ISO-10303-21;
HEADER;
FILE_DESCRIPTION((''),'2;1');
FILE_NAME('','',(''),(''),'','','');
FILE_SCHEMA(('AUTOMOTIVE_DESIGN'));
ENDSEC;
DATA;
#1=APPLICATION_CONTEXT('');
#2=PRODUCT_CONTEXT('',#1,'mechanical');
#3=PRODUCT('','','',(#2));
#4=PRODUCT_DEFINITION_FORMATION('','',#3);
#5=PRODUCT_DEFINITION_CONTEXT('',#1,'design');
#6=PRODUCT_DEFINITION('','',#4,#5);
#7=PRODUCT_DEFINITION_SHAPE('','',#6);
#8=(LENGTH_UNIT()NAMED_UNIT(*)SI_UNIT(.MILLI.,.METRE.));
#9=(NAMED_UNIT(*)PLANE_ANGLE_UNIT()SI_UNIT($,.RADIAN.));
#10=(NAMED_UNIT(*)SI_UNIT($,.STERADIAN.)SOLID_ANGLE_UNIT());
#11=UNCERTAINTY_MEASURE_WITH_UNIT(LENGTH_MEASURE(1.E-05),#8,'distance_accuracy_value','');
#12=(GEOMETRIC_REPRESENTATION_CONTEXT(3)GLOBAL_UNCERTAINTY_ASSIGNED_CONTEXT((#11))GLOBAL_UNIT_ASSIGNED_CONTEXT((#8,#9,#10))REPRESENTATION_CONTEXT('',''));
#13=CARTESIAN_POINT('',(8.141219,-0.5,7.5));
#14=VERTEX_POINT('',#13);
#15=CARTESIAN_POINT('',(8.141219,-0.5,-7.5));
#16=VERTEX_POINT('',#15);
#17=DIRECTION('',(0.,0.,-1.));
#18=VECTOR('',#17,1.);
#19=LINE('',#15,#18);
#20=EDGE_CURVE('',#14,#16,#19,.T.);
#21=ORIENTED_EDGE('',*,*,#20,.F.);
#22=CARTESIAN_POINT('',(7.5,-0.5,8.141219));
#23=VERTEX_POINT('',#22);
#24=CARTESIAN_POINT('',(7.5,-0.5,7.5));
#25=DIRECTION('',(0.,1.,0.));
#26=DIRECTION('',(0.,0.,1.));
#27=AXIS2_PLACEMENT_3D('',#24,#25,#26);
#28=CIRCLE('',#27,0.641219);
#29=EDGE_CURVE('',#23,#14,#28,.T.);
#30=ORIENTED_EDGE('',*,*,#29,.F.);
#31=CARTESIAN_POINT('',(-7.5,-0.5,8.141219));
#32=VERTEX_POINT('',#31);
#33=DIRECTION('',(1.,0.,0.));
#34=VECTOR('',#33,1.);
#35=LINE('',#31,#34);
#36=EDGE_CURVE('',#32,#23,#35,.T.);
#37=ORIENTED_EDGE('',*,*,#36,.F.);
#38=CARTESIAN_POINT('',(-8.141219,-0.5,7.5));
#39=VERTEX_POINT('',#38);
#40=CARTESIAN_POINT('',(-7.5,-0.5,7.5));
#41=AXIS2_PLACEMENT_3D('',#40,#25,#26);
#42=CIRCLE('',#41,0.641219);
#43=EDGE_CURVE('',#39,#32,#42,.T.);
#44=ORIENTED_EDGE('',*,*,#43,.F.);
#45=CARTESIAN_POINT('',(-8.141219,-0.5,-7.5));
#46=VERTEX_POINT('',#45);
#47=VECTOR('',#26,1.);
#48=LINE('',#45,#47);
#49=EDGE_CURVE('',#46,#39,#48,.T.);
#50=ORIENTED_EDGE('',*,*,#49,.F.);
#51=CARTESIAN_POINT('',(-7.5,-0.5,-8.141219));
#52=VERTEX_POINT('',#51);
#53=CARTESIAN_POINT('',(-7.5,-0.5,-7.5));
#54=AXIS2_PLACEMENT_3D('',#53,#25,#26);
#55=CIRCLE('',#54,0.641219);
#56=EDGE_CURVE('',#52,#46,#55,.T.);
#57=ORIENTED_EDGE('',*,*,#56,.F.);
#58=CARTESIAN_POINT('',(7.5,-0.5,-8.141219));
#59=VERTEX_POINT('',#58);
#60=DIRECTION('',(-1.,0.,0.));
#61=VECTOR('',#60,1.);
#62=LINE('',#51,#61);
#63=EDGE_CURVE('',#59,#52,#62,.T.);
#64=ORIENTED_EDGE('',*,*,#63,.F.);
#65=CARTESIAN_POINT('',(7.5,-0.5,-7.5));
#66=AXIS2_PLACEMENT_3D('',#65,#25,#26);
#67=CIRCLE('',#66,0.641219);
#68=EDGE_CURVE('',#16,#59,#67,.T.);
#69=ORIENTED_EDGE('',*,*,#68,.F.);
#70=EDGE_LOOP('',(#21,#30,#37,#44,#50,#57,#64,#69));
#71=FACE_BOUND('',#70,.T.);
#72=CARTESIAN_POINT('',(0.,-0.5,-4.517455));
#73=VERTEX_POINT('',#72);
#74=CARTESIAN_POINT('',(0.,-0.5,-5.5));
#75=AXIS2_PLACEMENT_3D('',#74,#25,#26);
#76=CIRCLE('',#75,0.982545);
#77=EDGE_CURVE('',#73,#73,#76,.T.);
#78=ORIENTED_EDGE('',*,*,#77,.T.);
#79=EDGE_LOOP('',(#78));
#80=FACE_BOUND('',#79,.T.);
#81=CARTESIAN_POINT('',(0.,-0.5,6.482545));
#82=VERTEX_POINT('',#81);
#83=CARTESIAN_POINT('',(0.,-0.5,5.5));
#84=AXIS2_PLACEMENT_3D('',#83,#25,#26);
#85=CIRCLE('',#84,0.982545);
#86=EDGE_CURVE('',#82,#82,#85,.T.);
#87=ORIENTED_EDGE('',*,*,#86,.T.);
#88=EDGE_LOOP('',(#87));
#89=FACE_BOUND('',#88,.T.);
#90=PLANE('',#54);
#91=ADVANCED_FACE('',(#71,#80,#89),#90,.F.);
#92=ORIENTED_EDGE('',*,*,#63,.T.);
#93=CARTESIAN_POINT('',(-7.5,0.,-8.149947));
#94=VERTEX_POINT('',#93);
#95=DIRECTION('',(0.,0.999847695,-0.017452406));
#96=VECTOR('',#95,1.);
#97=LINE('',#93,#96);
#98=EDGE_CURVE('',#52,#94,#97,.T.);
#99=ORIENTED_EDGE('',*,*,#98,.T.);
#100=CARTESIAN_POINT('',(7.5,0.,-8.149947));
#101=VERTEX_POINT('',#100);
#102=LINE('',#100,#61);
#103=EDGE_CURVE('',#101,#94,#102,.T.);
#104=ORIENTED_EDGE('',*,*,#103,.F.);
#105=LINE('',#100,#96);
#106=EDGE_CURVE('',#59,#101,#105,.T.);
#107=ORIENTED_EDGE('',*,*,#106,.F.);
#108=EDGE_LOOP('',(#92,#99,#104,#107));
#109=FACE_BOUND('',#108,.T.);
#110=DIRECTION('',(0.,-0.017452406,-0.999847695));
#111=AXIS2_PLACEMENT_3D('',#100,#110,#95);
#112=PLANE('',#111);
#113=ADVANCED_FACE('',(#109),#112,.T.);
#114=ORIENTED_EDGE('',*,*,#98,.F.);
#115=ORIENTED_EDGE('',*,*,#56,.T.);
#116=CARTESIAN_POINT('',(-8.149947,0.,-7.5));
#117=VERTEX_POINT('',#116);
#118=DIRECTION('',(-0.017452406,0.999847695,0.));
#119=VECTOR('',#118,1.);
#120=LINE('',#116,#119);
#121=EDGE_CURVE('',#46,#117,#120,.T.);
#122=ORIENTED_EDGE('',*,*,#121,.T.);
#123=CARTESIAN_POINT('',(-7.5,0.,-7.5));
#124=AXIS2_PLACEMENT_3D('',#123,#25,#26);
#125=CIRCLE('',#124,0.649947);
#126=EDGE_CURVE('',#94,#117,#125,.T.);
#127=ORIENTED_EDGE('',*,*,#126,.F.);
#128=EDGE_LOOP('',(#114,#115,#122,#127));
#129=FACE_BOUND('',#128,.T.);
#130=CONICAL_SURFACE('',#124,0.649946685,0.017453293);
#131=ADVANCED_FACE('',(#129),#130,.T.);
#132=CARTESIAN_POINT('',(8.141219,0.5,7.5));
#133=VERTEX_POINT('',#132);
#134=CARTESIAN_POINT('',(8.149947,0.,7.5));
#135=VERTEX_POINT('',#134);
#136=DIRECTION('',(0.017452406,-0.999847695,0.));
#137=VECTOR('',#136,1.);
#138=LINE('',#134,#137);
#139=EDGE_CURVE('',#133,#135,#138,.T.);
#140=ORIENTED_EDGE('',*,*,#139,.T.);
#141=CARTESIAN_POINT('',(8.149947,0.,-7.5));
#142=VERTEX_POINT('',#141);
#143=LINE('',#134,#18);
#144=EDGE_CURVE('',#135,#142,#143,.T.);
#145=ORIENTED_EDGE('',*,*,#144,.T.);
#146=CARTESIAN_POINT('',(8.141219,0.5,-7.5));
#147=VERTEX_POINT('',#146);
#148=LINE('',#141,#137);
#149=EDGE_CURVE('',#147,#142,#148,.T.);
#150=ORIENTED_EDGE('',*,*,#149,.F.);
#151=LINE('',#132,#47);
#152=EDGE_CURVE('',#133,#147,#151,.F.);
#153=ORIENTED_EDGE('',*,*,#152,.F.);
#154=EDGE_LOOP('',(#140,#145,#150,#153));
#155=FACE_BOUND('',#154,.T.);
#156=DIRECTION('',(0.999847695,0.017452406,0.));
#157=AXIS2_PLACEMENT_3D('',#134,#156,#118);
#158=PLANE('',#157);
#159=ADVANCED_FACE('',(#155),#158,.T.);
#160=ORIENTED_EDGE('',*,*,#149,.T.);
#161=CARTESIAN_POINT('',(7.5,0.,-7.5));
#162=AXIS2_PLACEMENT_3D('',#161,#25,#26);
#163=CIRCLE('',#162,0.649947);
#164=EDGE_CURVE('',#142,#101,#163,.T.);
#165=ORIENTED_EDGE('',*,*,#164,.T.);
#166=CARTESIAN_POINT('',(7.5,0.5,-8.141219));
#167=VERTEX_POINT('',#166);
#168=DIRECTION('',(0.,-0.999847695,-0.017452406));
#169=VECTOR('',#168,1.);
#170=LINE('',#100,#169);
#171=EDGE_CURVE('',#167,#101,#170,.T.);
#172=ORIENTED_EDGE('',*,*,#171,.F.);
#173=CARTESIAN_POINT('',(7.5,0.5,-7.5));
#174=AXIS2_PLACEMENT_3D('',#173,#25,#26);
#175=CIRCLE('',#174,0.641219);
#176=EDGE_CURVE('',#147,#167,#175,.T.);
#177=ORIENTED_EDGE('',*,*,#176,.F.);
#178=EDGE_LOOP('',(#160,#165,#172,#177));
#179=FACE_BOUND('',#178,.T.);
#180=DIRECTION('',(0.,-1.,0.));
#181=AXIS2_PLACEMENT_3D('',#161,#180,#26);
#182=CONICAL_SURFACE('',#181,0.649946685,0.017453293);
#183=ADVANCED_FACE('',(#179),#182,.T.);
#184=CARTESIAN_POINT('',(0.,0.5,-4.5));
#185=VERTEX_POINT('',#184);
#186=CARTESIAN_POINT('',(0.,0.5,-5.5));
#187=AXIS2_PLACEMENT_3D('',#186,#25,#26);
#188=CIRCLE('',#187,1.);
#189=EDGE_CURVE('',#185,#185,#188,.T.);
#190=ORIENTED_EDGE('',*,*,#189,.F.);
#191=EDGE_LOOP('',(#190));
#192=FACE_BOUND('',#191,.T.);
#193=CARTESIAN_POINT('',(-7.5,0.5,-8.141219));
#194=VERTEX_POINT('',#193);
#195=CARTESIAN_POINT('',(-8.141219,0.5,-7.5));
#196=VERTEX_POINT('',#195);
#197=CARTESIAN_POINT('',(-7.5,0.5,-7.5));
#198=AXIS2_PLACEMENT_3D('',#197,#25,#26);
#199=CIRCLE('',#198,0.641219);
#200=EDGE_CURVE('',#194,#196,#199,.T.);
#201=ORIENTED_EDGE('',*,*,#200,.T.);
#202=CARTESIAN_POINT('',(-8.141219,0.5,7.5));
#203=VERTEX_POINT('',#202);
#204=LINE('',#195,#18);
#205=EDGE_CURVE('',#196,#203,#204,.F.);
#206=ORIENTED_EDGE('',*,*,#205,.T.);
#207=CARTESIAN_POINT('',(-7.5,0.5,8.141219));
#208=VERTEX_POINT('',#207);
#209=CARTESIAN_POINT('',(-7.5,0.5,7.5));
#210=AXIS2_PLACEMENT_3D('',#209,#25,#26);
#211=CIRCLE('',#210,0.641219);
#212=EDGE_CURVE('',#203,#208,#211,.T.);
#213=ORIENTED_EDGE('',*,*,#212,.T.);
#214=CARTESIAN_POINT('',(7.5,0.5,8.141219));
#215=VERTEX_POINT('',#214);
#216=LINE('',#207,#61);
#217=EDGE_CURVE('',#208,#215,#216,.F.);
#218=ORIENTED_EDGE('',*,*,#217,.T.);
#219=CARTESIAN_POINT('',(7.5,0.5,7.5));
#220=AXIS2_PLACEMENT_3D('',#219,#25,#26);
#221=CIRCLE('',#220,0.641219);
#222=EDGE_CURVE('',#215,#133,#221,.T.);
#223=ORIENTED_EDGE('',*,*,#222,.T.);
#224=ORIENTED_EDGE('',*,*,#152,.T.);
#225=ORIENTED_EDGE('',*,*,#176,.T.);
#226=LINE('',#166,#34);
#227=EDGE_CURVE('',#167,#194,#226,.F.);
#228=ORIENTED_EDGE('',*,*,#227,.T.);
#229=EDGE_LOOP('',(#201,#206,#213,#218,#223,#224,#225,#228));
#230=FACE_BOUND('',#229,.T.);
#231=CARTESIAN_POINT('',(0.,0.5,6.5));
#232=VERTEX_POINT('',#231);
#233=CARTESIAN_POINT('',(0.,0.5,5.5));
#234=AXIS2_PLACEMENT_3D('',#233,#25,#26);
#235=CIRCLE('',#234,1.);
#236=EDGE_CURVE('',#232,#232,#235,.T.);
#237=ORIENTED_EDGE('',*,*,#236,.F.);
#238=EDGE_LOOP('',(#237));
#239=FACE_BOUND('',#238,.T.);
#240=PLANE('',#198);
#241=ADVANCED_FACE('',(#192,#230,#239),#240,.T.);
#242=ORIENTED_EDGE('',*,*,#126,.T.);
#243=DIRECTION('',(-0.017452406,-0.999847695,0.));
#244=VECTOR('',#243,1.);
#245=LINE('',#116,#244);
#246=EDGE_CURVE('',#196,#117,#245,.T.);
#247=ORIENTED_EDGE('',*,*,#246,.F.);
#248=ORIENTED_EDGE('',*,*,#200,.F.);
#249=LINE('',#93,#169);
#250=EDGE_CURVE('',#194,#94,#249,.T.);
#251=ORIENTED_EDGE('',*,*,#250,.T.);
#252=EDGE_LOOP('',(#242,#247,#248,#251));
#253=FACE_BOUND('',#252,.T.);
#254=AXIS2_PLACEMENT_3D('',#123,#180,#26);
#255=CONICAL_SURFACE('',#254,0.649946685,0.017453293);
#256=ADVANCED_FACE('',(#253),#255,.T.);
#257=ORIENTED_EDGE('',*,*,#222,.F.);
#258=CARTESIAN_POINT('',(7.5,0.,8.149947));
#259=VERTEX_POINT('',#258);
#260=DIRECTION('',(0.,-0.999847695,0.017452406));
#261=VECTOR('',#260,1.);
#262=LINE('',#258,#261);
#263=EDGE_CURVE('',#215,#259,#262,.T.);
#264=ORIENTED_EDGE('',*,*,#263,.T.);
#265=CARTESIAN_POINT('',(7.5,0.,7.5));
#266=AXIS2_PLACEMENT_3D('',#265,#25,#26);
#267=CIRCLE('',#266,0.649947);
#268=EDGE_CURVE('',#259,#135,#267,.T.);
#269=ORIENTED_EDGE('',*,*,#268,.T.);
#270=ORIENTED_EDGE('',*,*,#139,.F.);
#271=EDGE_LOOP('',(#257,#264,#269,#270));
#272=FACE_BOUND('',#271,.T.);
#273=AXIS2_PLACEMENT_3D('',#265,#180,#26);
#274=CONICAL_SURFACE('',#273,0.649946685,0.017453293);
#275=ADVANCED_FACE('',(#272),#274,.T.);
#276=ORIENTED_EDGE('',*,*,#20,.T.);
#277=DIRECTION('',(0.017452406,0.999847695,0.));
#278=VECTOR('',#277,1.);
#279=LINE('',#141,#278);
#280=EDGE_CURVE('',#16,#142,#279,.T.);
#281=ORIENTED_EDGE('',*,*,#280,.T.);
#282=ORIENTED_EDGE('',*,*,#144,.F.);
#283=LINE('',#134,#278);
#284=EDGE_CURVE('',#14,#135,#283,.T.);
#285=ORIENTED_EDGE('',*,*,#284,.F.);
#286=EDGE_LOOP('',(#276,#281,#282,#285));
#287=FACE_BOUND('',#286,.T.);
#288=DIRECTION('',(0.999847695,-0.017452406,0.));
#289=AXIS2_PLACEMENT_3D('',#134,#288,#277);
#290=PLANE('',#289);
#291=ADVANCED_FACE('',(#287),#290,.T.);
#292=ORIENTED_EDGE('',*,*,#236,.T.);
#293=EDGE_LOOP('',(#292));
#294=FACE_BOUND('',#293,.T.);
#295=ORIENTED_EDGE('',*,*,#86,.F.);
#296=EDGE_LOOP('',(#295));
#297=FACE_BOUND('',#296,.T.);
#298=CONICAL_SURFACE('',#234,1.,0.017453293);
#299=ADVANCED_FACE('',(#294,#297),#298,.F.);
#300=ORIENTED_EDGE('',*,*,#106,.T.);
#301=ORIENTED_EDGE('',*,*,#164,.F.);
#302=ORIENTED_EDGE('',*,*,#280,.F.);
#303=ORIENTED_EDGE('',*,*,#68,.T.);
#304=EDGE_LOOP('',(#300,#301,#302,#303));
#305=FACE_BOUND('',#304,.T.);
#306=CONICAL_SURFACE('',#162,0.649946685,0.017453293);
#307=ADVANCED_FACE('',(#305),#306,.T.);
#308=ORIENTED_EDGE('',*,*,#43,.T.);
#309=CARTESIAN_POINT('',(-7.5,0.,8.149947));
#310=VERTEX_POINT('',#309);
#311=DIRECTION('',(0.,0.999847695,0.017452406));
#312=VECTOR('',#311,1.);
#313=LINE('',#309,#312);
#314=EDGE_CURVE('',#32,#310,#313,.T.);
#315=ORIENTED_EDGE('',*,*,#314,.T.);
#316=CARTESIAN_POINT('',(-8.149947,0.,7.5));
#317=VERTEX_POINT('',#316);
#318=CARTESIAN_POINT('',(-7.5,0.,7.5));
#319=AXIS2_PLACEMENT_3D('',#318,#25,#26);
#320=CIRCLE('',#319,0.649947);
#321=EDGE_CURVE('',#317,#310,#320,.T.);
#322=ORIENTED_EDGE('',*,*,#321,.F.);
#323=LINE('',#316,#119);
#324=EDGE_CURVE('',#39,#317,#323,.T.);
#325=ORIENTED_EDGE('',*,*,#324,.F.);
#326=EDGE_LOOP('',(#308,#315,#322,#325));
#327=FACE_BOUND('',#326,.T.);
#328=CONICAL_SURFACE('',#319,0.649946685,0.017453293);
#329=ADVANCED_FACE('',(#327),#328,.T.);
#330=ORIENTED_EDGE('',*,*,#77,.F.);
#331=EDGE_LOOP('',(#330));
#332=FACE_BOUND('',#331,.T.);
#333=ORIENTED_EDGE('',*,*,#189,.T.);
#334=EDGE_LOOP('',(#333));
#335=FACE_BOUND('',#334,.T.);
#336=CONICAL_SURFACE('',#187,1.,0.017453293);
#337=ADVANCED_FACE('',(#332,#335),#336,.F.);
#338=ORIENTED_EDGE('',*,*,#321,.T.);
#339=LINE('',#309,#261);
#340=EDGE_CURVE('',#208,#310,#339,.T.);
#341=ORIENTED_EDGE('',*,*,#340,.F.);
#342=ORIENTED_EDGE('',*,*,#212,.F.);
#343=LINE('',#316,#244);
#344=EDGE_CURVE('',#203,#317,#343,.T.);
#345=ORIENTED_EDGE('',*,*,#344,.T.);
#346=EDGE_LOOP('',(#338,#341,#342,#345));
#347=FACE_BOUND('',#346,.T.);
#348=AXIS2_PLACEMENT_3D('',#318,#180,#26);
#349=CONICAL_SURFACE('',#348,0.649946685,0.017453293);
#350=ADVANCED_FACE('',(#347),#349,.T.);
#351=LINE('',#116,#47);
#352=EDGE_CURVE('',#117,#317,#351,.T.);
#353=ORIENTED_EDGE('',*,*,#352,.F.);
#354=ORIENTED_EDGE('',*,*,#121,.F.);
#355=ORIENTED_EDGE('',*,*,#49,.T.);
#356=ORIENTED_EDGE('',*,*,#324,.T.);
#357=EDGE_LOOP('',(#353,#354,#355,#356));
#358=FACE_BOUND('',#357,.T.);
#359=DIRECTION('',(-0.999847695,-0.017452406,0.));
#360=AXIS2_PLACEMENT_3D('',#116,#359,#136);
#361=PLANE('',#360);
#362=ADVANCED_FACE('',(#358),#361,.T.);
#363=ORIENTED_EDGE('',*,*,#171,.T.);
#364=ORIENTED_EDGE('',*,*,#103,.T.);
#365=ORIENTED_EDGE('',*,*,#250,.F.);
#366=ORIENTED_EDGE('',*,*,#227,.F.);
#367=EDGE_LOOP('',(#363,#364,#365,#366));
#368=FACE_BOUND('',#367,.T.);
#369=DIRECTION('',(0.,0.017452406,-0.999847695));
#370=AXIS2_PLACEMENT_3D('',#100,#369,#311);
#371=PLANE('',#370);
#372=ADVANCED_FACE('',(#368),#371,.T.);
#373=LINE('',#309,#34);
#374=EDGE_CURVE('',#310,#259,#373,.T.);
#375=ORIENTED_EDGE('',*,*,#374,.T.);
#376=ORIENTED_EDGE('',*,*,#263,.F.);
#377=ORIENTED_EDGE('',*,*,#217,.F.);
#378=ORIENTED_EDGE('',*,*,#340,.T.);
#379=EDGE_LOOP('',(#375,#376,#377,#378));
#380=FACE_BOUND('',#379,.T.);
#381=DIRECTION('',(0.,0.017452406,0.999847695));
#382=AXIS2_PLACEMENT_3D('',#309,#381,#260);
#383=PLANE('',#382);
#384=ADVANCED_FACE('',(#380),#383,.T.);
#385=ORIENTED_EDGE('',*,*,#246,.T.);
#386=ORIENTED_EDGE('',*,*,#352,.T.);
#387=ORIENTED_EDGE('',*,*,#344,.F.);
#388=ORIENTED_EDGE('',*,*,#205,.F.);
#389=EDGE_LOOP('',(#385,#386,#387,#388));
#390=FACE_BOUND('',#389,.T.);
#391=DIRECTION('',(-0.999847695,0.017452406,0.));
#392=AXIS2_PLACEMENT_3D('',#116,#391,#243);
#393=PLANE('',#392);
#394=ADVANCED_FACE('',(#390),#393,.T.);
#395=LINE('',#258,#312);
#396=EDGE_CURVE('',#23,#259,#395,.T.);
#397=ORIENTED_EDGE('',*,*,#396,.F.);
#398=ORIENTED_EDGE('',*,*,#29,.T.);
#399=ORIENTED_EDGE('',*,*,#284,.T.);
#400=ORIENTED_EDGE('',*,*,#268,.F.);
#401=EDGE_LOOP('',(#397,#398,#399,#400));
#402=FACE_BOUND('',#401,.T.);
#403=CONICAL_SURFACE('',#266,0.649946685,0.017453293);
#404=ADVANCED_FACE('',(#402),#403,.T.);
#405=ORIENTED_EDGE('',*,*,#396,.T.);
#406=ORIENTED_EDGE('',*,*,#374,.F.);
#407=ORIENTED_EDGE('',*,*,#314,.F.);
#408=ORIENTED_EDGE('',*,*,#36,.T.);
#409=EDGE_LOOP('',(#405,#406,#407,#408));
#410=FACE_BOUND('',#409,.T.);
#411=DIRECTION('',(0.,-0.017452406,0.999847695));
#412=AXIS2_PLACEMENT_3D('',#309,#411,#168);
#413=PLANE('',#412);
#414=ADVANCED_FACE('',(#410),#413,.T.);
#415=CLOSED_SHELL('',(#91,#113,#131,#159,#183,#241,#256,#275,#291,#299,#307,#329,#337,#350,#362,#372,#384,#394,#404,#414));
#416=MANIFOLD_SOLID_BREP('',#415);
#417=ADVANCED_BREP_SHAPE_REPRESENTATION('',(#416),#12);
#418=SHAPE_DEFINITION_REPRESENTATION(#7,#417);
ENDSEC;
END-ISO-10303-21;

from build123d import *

# Parameters (mm, degrees)
BOSS_EXTRUDE1_DEPTH           = 0.5
BOSS_EXTRUDE1_TAPER           = 1
BOSS_EXTRUDE1_OTHER_WAY_DEPTH = 0.5
BOSS_EXTRUDE1_OTHER_WAY_TAPER = 1
SKETCH3_R                     = 1
CUT_EXTRUDE1_DEPTH            = 10
CUT_EXTRUDE1_DRAFT            = -1
CUT_EXTRUDE1_PROFILE_2_DEPTH  = 10
CUT_EXTRUDE1_PROFILE_2_DRAFT  = -1


with BuildPart() as part:
    # Sketch2 → Boss-Extrude1 (new body)
    with BuildSketch(Plane(origin=(0, 0, 0), x_dir=(1, 0, 0), z_dir=(0, 1, 0))):
        with BuildLine():
            Line((-8.149946685, 7.5), (-8.149946685, -7.5))
            ThreePointArc((-8.149946685, -7.5), (-7.959581709, -7.959581709), (-7.5, -8.149946685))
            Line((-7.5, -8.149946685), (7.5, -8.149946685))
            ThreePointArc((7.5, -8.149946685), (7.959581709, -7.959581709), (8.149946685, -7.5))
            Line((8.149946685, -7.5), (8.149946685, 7.5))
            ThreePointArc((8.149946685, 7.5), (7.959581709, 7.959581709), (7.5, 8.149946685))
            Line((7.5, 8.149946685), (-7.5, 8.149946685))
            ThreePointArc((-7.5, 8.149946685), (-7.959581709, 7.959581709), (-8.149946685, 7.5))
        make_face()
    extrude(amount=BOSS_EXTRUDE1_DEPTH, taper=BOSS_EXTRUDE1_TAPER)

    # Sketch2 → Boss-Extrude1 other way (add)
    with BuildSketch(Plane(origin=(0, 0, 0), x_dir=(1, 0, 0), z_dir=(0, 1, 0))):
        with BuildLine():
            Line((-8.149946685, 7.5), (-8.149946685, -7.5))
            ThreePointArc((-8.149946685, -7.5), (-7.959581709, -7.959581709), (-7.5, -8.149946685))
            Line((-7.5, -8.149946685), (7.5, -8.149946685))
            ThreePointArc((7.5, -8.149946685), (7.959581709, -7.959581709), (8.149946685, -7.5))
            Line((8.149946685, -7.5), (8.149946685, 7.5))
            ThreePointArc((8.149946685, 7.5), (7.959581709, 7.959581709), (7.5, 8.149946685))
            Line((7.5, 8.149946685), (-7.5, 8.149946685))
            ThreePointArc((-7.5, 8.149946685), (-7.959581709, 7.959581709), (-8.149946685, 7.5))
        make_face()
    extrude(amount=-BOSS_EXTRUDE1_OTHER_WAY_DEPTH, taper=BOSS_EXTRUDE1_OTHER_WAY_TAPER)


with BuildPart() as cut_extrude1_tool:
    # Sketch3 → Cut-Extrude1 (with draft: the straight prism first)
    with BuildSketch(Plane(origin=(0, 0.5, 0), x_dir=(1, 0, 0), z_dir=(0, 1, 0))):
        with Locations((0, 5.5)):
            Circle(SKETCH3_R)
    extrude(amount=-CUT_EXTRUDE1_DEPTH)
    # Cut-Extrude1: the draft: its side faces are tilted about the plane it starts from
    cut_extrude1_sides = [cut_extrude1_tool.faces().sort_by_distance(p)[0] for p in [
        (-1, -4.5, -5.5),
    ]]
    draft(cut_extrude1_sides, Plane(origin=(0, 0.5, 0), x_dir=(1, 0, 0), z_dir=(0, 1, 0)), CUT_EXTRUDE1_DRAFT)


with BuildPart() as part_1:
    add(part.part)

    # Cut-Extrude1: cut by cut_extrude1_tool
    add(cut_extrude1_tool.part, mode=Mode.SUBTRACT)


with BuildPart() as cut_extrude1_profile_2_tool:
    # Sketch3 → Cut-Extrude1 profile 2 (with draft: the straight prism first)
    with BuildSketch(Plane(origin=(0, 0.5, 0), x_dir=(1, 0, 0), z_dir=(0, 1, 0))):
        with Locations((0, -5.5)):
            Circle(SKETCH3_R)
    extrude(amount=-CUT_EXTRUDE1_PROFILE_2_DEPTH)
    # Cut-Extrude1 profile 2: the draft: its side faces are tilted about the plane it starts from
    cut_extrude1_profile_2_sides = [cut_extrude1_profile_2_tool.faces().sort_by_distance(p)[0] for p in [
        (-1, -4.5, 5.5),
    ]]
    draft(cut_extrude1_profile_2_sides, Plane(origin=(0, 0.5, 0), x_dir=(1, 0, 0), z_dir=(0, 1, 0)), CUT_EXTRUDE1_PROFILE_2_DRAFT)


with BuildPart() as part_2:
    add(part_1.part)

    # Cut-Extrude1 profile 2: cut by cut_extrude1_profile_2_tool
    add(cut_extrude1_profile_2_tool.part, mode=Mode.SUBTRACT)


solid = part_2.part
